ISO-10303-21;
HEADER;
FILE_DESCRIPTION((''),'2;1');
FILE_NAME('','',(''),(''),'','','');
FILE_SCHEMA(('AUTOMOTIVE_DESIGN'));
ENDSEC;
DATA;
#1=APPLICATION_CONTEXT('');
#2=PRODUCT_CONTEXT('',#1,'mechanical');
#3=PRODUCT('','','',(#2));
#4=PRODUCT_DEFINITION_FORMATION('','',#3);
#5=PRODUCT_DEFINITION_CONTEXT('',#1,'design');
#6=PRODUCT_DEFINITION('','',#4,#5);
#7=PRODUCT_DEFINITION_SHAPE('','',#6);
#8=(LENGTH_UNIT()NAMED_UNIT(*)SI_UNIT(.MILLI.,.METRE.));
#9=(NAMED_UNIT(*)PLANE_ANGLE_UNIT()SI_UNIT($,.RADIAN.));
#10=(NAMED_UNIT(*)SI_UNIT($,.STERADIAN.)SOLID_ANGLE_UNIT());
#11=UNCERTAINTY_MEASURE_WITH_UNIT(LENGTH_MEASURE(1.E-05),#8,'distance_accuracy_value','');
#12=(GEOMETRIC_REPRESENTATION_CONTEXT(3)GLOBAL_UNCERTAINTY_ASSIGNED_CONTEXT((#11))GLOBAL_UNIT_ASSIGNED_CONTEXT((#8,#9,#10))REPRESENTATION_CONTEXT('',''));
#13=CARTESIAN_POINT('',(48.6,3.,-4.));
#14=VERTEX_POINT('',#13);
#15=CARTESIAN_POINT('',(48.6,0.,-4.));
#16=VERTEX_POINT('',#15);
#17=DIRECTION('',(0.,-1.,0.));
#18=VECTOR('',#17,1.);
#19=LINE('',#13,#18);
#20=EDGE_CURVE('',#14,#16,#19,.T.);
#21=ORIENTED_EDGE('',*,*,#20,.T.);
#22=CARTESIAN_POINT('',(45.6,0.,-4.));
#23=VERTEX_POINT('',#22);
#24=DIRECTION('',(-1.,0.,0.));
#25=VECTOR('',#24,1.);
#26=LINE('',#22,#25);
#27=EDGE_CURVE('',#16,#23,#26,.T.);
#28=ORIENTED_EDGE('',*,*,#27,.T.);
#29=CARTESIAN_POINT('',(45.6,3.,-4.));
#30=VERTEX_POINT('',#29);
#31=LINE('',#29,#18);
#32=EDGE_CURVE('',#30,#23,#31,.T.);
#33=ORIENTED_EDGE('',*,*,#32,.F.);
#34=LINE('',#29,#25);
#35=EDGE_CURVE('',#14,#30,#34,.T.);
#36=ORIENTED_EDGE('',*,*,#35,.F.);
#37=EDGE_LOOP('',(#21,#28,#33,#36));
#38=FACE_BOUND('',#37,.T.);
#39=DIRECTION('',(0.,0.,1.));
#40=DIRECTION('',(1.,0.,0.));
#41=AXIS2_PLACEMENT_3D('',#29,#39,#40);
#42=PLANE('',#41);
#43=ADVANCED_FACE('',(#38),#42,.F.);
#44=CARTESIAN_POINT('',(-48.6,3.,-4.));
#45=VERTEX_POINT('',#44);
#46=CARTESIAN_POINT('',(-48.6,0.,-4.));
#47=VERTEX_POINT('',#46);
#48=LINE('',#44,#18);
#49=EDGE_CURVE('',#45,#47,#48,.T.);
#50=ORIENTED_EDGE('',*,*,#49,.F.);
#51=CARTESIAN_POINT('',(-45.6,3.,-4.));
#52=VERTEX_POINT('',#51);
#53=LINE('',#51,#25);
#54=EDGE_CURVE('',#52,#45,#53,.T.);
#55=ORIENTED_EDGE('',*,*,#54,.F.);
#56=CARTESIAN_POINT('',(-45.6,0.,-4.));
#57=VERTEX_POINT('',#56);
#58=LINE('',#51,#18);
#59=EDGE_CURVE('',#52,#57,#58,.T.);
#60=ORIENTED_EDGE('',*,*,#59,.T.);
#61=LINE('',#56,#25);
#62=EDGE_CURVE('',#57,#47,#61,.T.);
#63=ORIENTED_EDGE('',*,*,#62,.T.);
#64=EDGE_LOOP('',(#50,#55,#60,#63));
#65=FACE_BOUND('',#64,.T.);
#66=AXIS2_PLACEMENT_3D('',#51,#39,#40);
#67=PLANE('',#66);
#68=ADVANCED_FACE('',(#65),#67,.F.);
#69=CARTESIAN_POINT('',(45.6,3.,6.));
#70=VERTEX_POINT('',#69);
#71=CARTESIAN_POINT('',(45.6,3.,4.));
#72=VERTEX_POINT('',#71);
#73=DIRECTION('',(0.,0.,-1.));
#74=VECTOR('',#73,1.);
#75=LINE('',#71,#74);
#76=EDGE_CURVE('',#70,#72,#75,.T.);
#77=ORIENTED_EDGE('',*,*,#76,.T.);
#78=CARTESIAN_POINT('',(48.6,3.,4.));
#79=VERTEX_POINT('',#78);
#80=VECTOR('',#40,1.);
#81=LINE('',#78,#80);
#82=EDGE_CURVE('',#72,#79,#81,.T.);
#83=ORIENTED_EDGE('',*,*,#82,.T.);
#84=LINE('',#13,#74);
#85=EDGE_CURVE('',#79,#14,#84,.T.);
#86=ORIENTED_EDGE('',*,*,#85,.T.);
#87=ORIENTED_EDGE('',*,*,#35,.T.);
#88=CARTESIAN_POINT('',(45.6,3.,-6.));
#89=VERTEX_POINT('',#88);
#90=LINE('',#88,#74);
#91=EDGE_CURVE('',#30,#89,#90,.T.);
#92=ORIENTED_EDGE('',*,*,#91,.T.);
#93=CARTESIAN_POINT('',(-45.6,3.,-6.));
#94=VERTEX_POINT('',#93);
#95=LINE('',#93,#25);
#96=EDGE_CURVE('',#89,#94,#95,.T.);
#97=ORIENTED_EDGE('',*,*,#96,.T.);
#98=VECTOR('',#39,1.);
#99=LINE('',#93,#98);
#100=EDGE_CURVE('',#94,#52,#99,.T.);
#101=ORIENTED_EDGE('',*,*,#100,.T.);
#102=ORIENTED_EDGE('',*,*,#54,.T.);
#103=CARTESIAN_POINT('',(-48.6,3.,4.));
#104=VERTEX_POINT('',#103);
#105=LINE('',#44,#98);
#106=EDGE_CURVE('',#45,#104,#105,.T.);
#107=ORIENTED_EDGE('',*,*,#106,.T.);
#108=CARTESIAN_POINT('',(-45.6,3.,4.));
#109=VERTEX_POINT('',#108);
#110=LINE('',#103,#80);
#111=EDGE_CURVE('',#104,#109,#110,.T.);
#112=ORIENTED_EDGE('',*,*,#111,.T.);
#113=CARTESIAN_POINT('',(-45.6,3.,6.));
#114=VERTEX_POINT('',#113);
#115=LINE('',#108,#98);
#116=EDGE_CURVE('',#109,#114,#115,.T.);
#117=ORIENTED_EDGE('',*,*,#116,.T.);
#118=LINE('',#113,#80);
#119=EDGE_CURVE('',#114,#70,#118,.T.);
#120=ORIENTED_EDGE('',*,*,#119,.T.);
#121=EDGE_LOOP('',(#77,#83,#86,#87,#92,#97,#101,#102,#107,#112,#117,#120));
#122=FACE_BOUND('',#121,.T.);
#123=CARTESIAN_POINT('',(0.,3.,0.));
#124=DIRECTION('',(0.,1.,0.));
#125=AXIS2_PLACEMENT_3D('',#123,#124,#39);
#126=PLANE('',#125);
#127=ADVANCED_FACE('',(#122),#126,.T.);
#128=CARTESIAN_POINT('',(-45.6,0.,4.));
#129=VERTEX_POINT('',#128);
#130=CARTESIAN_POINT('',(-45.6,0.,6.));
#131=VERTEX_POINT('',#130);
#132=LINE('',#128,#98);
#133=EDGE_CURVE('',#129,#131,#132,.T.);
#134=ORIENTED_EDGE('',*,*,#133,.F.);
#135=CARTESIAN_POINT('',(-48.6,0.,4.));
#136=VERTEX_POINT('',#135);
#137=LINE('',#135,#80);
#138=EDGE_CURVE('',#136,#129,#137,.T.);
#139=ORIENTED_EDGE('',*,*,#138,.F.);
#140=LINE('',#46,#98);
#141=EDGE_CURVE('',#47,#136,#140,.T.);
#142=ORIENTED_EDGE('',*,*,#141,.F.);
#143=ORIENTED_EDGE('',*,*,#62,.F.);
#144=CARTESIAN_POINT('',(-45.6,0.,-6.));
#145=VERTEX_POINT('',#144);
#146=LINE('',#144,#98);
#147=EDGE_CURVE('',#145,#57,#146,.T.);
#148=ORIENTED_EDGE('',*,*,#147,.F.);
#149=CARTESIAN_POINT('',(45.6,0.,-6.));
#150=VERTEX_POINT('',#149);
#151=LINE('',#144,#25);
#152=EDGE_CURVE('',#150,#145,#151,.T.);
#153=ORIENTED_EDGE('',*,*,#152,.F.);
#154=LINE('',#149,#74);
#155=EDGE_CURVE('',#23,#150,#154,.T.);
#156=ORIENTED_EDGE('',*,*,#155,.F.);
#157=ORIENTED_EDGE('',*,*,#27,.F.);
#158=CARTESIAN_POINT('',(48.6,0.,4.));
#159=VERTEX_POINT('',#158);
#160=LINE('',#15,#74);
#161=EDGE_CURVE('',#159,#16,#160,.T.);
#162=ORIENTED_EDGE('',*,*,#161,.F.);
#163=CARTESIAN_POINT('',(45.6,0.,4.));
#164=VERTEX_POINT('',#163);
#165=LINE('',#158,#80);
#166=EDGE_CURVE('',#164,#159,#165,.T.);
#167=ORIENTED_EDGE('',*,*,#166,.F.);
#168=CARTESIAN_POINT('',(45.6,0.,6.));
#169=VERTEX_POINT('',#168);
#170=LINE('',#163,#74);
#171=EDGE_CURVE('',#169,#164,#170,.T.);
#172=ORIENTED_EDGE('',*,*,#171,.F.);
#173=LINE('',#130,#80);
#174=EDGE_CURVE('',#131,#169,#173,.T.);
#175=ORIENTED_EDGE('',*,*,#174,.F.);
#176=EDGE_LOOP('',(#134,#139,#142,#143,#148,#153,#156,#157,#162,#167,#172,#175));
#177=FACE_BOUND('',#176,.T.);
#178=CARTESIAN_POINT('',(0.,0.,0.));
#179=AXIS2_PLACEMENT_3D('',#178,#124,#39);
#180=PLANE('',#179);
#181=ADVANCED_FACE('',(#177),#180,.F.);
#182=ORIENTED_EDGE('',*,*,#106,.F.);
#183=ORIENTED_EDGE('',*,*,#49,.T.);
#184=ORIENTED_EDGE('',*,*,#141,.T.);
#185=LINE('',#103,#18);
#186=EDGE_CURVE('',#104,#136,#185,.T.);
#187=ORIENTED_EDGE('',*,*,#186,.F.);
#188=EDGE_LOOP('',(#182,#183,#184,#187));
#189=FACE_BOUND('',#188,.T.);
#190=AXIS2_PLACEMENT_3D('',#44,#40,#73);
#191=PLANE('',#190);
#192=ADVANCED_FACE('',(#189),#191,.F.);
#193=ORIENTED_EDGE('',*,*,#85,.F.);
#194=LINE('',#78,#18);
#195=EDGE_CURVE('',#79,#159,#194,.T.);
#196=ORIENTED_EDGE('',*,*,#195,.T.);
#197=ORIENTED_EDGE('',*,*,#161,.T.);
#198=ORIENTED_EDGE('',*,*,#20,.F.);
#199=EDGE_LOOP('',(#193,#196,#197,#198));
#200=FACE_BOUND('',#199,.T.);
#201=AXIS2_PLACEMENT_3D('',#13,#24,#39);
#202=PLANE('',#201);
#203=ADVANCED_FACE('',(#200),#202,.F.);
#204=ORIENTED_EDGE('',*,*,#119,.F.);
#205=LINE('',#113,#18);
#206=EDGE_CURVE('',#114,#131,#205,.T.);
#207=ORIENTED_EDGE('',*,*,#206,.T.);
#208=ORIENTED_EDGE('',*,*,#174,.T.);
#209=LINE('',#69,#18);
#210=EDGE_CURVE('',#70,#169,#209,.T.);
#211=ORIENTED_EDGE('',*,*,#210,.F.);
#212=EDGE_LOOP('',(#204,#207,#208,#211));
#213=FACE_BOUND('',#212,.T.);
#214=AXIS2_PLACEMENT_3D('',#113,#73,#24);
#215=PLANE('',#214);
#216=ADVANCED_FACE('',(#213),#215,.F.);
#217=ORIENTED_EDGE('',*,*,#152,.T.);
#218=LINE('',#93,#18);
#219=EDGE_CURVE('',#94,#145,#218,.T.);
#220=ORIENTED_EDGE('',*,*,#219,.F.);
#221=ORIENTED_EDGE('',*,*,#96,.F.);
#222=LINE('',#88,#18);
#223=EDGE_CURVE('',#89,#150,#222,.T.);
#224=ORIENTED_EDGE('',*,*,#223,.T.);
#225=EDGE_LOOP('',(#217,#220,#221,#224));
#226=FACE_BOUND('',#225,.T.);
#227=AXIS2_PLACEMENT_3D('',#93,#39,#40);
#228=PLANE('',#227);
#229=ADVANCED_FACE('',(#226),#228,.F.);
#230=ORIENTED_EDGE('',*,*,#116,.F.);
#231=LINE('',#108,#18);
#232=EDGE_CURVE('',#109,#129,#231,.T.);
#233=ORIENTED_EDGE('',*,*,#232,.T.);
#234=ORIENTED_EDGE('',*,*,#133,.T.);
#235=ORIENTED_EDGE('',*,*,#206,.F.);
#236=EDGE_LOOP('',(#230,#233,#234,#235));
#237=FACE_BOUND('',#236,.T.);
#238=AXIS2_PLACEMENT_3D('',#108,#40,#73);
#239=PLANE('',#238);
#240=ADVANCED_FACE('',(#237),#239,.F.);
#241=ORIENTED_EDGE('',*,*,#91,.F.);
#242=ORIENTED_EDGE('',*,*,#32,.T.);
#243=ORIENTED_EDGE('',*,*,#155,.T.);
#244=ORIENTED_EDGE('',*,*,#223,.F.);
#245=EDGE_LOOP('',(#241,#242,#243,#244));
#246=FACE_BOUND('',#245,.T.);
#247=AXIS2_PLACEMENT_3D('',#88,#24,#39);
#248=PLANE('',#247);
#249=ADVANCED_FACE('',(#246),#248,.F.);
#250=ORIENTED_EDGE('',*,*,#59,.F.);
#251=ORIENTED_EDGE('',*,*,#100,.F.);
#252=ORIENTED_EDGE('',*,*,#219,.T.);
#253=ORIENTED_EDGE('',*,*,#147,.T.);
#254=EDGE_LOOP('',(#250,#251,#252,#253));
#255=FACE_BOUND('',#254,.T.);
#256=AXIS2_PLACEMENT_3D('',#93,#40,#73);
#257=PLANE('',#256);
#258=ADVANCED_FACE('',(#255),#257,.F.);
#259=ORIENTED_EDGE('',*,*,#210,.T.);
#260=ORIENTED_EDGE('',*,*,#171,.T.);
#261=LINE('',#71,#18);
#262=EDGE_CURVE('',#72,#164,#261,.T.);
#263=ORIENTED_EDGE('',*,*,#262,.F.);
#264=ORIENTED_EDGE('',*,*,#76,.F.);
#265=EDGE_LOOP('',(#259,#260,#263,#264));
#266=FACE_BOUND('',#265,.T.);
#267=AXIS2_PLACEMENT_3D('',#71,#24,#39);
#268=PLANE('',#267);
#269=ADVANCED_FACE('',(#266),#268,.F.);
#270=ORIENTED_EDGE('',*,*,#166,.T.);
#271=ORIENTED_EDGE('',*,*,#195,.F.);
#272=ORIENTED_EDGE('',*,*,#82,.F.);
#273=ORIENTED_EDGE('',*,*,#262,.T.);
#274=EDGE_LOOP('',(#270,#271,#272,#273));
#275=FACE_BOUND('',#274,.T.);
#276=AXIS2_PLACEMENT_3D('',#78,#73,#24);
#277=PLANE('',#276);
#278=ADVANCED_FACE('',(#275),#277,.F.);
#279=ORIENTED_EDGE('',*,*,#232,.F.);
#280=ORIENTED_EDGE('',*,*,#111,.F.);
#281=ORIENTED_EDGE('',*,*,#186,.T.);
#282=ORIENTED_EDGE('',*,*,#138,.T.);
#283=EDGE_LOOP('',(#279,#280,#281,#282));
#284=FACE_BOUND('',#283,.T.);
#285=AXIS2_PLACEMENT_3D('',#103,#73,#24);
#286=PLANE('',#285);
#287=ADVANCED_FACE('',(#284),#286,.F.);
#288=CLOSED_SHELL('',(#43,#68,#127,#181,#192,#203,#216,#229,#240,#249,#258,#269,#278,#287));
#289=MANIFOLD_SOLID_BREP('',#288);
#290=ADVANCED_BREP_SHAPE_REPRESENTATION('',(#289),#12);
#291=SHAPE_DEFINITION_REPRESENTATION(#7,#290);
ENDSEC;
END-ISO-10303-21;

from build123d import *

# Parameters (mm, degrees)
BOSS_EXTRUDE1_DEPTH = 3


with BuildPart() as part:
    # Sketch1 → Boss-Extrude1 (new body)
    with BuildSketch(Plane(origin=(0, 0, 0), x_dir=(1, 0, 0), z_dir=(0, 1, 0))):
        Polygon((-45.6, 6), (-45.6, 4), (-48.6, 4), (-48.6, -4), (-45.6, -4), (-45.6, -6), (45.6, -6), (45.6, -4), (48.6, -4), (48.6, 4), (45.6, 4), (45.6, 6), align=None)
    extrude(amount=BOSS_EXTRUDE1_DEPTH)


solid = part.part
